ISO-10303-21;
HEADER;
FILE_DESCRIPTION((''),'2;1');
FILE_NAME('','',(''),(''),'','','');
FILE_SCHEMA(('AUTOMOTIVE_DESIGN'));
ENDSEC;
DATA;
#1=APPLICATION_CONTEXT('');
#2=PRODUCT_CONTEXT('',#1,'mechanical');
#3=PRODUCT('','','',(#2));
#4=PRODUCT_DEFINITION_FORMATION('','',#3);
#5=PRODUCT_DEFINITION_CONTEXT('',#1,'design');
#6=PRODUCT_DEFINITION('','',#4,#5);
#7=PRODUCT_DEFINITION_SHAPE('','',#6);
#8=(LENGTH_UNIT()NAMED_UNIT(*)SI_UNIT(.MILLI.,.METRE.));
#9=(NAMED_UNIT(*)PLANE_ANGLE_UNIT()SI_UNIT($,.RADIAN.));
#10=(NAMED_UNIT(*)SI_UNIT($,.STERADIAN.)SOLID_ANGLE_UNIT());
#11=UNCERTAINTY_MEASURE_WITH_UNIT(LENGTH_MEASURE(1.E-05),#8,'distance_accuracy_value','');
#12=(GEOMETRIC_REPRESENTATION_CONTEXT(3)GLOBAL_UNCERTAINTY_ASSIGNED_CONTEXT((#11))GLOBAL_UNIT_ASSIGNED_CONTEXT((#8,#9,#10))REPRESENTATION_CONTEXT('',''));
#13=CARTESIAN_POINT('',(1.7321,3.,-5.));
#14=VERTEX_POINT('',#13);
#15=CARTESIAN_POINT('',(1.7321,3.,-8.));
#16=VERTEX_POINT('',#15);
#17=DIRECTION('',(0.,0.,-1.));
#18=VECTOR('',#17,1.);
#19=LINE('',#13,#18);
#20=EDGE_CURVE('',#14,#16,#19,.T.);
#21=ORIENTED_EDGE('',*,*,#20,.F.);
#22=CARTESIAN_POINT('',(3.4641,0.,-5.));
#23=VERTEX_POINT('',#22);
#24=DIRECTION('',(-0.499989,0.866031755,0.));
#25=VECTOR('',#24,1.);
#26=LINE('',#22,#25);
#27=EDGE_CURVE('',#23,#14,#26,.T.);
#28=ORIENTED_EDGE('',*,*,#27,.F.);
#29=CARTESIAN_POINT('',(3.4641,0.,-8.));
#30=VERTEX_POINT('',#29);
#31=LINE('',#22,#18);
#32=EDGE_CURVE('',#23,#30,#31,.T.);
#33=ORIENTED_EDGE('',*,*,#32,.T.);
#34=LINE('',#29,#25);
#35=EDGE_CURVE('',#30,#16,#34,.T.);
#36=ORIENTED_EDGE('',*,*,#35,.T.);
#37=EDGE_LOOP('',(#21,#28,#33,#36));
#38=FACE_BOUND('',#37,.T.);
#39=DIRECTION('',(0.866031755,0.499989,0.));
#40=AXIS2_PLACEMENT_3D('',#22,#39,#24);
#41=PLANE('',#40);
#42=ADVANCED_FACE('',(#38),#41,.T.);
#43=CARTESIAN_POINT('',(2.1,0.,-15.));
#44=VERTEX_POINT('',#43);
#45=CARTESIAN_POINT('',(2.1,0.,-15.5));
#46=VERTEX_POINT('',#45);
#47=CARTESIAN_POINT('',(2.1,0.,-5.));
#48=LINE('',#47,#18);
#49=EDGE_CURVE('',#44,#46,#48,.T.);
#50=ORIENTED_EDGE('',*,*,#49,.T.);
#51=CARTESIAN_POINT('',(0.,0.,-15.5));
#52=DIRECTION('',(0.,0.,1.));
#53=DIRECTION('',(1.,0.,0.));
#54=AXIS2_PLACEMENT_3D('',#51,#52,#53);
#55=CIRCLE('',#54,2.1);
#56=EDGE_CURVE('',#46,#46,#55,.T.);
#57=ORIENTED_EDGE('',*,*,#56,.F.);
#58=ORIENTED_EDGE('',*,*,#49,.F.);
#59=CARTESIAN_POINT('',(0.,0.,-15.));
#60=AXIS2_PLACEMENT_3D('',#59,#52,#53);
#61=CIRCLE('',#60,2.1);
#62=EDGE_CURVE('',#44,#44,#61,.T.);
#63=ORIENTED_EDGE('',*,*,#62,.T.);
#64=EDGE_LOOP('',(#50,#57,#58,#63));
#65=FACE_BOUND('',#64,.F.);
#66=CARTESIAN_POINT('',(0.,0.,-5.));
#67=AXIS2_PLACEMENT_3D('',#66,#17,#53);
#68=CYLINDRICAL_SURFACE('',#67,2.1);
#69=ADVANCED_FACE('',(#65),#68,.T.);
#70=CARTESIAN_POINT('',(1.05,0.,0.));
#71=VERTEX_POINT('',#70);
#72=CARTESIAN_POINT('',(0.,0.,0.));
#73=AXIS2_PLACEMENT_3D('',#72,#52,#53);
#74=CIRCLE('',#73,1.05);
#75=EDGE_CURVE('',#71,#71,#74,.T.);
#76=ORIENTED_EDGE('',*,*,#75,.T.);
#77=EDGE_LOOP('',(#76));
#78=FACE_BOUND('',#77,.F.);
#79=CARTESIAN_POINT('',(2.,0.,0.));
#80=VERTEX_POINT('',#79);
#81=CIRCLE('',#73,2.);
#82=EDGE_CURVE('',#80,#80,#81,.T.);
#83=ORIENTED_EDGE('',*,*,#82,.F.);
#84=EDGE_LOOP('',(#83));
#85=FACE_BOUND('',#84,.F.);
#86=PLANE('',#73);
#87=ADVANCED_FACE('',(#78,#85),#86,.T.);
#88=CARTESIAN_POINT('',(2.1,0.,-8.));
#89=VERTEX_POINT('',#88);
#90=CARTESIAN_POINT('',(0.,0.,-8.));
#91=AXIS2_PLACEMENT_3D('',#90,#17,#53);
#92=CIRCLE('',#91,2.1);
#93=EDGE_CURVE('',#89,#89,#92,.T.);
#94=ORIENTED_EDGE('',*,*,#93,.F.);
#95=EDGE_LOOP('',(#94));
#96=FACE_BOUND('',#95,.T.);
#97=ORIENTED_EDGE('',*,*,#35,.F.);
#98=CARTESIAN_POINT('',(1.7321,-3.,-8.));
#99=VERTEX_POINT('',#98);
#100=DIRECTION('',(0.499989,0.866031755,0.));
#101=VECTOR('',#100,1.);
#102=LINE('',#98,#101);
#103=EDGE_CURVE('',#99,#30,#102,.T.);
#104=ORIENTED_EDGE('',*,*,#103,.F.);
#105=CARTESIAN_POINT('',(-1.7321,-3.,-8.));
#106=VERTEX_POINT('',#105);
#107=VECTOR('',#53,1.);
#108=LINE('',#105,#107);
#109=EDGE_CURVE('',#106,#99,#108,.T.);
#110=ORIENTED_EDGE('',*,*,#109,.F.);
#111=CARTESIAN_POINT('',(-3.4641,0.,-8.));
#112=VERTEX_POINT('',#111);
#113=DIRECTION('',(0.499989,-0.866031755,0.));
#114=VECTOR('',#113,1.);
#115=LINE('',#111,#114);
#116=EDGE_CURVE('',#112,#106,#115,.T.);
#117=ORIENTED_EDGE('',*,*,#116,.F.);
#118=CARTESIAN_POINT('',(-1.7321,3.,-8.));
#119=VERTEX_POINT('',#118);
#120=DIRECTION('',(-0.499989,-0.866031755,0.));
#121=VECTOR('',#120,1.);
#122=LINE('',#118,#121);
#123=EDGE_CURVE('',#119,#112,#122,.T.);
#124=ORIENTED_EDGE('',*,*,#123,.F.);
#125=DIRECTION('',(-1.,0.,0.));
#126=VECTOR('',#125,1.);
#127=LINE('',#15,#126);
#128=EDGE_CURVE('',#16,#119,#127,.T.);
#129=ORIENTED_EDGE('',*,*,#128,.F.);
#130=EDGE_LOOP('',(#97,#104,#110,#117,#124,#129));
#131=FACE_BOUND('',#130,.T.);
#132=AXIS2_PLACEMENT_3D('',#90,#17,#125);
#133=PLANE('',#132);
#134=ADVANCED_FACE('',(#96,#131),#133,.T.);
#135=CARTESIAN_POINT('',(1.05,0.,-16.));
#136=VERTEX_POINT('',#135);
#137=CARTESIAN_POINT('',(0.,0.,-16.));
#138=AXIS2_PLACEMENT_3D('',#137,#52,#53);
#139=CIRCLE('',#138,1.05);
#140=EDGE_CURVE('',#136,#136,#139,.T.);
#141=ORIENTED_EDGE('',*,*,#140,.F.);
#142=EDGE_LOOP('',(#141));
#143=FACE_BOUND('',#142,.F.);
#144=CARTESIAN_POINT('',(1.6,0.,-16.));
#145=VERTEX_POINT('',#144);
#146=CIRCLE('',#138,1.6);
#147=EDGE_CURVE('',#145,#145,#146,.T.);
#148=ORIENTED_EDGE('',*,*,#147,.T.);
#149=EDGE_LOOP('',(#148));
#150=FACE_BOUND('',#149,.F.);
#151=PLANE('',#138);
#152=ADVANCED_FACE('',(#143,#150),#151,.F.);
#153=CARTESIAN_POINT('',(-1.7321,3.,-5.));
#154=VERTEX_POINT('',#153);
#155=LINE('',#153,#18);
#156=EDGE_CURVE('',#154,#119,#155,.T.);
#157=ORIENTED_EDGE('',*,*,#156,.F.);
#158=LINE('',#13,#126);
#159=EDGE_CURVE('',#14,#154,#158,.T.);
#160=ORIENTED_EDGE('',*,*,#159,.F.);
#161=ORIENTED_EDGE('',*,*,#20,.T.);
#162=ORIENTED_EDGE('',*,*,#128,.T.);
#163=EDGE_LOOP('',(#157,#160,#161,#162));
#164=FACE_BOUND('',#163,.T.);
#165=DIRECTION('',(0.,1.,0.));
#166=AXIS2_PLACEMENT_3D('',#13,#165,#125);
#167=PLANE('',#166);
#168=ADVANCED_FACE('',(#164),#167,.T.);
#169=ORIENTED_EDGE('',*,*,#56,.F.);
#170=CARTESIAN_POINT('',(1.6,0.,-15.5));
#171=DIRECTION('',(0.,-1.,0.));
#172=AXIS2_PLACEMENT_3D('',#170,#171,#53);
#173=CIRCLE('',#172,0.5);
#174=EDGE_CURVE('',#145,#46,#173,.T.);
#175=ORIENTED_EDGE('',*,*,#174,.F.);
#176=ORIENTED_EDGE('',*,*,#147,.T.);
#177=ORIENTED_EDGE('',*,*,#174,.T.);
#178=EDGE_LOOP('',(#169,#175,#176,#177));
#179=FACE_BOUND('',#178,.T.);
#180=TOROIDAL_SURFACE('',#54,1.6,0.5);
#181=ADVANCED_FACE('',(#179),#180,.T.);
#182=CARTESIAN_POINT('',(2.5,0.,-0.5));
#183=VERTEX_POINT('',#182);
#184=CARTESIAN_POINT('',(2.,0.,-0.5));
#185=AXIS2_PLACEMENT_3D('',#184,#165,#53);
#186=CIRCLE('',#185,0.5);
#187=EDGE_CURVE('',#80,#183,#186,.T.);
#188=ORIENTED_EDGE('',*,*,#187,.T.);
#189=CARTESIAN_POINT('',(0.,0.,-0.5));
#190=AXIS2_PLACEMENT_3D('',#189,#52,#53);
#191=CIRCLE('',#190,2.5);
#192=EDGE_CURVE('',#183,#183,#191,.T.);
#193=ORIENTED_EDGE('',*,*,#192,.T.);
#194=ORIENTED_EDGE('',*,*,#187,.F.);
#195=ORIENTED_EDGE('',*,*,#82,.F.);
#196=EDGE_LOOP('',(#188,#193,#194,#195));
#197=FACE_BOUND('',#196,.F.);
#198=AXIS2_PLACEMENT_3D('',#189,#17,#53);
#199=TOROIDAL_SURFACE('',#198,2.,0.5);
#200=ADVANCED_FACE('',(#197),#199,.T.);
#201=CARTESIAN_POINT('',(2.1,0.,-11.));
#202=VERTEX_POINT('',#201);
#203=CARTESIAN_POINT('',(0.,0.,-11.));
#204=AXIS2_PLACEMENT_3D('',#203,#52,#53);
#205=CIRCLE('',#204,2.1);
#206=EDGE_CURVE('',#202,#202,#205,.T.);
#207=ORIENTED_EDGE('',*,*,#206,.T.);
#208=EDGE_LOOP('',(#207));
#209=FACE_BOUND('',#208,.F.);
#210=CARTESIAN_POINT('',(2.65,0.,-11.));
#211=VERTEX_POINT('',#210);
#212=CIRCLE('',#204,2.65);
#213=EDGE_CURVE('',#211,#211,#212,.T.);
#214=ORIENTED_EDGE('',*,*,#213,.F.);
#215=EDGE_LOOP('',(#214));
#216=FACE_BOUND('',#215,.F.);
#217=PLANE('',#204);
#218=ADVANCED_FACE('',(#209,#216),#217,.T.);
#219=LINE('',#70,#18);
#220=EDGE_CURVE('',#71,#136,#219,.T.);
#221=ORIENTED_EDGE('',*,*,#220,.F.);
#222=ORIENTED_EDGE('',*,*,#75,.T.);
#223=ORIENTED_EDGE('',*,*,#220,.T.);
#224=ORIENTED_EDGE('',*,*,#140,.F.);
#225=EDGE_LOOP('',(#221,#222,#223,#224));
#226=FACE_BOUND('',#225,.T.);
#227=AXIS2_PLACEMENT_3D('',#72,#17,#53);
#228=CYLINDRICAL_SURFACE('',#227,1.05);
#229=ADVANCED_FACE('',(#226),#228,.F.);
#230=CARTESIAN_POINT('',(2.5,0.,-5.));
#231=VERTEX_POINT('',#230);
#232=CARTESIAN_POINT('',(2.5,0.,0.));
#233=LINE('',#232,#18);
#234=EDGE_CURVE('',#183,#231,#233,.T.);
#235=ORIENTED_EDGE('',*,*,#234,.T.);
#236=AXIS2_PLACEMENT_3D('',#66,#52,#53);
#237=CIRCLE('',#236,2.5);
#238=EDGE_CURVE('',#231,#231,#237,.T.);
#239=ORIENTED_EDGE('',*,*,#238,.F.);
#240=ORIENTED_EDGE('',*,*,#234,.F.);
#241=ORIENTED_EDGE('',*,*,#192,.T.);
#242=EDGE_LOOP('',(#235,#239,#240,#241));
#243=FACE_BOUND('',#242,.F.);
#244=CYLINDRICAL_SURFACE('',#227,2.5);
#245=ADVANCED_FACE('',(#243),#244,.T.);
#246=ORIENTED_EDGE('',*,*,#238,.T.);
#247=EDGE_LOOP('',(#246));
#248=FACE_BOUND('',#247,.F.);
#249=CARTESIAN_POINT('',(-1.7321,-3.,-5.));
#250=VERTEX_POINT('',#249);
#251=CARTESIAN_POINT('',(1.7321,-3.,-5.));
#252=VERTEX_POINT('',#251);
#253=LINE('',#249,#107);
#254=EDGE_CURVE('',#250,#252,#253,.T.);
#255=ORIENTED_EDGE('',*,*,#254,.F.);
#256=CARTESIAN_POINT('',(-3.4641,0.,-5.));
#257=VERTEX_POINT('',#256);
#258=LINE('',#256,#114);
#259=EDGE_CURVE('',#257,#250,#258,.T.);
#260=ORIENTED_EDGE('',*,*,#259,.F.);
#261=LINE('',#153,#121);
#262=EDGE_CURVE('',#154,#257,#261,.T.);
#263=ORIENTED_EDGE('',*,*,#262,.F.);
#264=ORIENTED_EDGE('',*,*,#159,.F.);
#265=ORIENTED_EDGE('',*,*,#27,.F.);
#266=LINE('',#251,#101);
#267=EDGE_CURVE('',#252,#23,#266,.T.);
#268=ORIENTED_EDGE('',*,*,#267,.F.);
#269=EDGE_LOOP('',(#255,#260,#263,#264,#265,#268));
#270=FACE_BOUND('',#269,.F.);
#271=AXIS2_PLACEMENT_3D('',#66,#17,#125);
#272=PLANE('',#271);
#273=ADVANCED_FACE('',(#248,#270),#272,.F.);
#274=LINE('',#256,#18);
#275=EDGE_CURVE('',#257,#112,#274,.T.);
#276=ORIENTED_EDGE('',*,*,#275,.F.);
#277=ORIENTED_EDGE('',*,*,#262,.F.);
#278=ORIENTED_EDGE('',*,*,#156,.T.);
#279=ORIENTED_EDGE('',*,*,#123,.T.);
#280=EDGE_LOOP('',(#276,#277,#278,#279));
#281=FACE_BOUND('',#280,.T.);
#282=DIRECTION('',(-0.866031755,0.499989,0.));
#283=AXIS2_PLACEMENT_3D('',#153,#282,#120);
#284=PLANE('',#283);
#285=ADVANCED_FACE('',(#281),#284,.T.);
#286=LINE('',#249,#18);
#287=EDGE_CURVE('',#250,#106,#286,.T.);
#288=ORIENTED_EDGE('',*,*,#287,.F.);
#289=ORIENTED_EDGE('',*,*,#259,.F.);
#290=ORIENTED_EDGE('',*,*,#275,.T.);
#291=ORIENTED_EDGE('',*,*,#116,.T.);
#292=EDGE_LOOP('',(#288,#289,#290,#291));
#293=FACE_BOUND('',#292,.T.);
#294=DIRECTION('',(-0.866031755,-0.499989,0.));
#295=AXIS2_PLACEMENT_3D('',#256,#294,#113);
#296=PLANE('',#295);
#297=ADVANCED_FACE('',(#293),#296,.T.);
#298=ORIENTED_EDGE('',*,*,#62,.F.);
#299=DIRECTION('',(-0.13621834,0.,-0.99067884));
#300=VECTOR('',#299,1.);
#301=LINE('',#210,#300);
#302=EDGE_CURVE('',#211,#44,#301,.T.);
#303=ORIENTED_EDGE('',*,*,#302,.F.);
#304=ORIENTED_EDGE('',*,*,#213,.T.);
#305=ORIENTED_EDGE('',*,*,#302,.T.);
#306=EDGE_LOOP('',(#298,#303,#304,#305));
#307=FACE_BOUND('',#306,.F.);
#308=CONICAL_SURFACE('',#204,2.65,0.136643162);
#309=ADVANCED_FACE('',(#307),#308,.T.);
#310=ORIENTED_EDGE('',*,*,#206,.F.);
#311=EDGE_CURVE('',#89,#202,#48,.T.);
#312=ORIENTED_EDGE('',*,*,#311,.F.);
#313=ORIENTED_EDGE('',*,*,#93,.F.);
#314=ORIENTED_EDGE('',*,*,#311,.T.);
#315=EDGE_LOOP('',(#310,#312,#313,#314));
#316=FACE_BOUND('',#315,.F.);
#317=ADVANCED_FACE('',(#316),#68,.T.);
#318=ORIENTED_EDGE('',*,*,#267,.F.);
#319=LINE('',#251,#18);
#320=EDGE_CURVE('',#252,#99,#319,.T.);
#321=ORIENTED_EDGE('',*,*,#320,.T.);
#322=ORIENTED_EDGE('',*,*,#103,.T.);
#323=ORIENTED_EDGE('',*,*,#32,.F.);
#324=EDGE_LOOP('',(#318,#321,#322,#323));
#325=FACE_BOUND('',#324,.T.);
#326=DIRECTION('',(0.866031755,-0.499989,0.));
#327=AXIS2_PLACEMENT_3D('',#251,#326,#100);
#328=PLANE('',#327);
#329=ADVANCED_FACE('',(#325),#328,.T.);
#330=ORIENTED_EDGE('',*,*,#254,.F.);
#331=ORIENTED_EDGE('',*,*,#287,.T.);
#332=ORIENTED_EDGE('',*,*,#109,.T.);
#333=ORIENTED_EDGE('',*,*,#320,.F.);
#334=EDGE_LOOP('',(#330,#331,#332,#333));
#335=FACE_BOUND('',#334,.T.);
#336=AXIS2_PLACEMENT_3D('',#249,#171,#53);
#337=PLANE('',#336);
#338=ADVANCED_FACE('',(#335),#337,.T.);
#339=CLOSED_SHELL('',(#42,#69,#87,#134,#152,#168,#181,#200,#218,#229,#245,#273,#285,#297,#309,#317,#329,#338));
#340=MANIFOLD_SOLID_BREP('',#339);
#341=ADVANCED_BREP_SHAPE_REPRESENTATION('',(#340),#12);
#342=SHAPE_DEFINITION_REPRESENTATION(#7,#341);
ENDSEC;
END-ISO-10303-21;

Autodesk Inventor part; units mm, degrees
ref_plane "YZ Plane" through (0, 0, 0) normal (1, 0, 0) x (0, 1, 0)
ref_plane "XZ Plane" through (0, 0, 0) normal (0, 1, 0) x (-1, 0, 0)
ref_plane "XY Plane" through (0, 0, 0) normal (0, 0, 1) x (1, 0, 0)
sketch "Sketch1" plane through (0, 0, 0) normal (0, 1, 0) x (-1, 0, 0)
  line L0 (-1.05, 0) -> (-2.5, 0)
  line L1 (-2.5, 0) -> (-2.5, -5)
  line L2 (-2.5, -5) -> (-2.1, -5)
  line L3 (-2.1, -5) -> (-2.1, -16)
  line L4 (-2.1, -16) -> (-1.05, -16)
  line L5 (0, -19.2) -> (0, 3.2) projected
  line L6 (-1.05, 0) -> (-1.05, -16)
  line L7 (-2.1, -11) -> (-2.65, -11)
  line L8 (-2.65, -11) -> (-2.1, -15)
  point P0 (0, 0)
  dimension "d0" = 11
  dimension "d1" = 5
  dimension "d3" = 1.05
  dimension "d4" = 2.5
  dimension "d14" = 2.1
  dimension "d15" = 2.65
  dimension "d19" = 1
  dimension "d20" = 4
revolve "Revolution1" add sketch "Sketch1" angle 360 about axis through (0, 0, -10) along (0, 0, 1)
fillet "Fillet2" radius 0.5 2 edges at (-2.5, 0, 0) (-2.1, 0, -16)
sketch "Sketch3" plane through (0, 0, -5) normal (0, 0, -1) x (-1, 0, 0)
  line L0 (3.4641, 0) -> (1.7321, -3)
  line L1 (1.7321, -3) -> (-1.7321, -3)
  line L2 (-1.7321, -3) -> (-3.4641, 0)
  line L3 (-3.4641, 0) -> (-1.7321, 3)
  line L4 (-1.7321, 3) -> (1.7321, 3)
  line L5 (1.7321, 3) -> (3.4641, 0)
  circle A0 centre (0, 0) radius 1.05
  dimension "d21" = 6
extrude "Extrusion2" add sketch "Sketch3" along normal blind 3
properties part number "Suction_electrode_cap_side_dk"
